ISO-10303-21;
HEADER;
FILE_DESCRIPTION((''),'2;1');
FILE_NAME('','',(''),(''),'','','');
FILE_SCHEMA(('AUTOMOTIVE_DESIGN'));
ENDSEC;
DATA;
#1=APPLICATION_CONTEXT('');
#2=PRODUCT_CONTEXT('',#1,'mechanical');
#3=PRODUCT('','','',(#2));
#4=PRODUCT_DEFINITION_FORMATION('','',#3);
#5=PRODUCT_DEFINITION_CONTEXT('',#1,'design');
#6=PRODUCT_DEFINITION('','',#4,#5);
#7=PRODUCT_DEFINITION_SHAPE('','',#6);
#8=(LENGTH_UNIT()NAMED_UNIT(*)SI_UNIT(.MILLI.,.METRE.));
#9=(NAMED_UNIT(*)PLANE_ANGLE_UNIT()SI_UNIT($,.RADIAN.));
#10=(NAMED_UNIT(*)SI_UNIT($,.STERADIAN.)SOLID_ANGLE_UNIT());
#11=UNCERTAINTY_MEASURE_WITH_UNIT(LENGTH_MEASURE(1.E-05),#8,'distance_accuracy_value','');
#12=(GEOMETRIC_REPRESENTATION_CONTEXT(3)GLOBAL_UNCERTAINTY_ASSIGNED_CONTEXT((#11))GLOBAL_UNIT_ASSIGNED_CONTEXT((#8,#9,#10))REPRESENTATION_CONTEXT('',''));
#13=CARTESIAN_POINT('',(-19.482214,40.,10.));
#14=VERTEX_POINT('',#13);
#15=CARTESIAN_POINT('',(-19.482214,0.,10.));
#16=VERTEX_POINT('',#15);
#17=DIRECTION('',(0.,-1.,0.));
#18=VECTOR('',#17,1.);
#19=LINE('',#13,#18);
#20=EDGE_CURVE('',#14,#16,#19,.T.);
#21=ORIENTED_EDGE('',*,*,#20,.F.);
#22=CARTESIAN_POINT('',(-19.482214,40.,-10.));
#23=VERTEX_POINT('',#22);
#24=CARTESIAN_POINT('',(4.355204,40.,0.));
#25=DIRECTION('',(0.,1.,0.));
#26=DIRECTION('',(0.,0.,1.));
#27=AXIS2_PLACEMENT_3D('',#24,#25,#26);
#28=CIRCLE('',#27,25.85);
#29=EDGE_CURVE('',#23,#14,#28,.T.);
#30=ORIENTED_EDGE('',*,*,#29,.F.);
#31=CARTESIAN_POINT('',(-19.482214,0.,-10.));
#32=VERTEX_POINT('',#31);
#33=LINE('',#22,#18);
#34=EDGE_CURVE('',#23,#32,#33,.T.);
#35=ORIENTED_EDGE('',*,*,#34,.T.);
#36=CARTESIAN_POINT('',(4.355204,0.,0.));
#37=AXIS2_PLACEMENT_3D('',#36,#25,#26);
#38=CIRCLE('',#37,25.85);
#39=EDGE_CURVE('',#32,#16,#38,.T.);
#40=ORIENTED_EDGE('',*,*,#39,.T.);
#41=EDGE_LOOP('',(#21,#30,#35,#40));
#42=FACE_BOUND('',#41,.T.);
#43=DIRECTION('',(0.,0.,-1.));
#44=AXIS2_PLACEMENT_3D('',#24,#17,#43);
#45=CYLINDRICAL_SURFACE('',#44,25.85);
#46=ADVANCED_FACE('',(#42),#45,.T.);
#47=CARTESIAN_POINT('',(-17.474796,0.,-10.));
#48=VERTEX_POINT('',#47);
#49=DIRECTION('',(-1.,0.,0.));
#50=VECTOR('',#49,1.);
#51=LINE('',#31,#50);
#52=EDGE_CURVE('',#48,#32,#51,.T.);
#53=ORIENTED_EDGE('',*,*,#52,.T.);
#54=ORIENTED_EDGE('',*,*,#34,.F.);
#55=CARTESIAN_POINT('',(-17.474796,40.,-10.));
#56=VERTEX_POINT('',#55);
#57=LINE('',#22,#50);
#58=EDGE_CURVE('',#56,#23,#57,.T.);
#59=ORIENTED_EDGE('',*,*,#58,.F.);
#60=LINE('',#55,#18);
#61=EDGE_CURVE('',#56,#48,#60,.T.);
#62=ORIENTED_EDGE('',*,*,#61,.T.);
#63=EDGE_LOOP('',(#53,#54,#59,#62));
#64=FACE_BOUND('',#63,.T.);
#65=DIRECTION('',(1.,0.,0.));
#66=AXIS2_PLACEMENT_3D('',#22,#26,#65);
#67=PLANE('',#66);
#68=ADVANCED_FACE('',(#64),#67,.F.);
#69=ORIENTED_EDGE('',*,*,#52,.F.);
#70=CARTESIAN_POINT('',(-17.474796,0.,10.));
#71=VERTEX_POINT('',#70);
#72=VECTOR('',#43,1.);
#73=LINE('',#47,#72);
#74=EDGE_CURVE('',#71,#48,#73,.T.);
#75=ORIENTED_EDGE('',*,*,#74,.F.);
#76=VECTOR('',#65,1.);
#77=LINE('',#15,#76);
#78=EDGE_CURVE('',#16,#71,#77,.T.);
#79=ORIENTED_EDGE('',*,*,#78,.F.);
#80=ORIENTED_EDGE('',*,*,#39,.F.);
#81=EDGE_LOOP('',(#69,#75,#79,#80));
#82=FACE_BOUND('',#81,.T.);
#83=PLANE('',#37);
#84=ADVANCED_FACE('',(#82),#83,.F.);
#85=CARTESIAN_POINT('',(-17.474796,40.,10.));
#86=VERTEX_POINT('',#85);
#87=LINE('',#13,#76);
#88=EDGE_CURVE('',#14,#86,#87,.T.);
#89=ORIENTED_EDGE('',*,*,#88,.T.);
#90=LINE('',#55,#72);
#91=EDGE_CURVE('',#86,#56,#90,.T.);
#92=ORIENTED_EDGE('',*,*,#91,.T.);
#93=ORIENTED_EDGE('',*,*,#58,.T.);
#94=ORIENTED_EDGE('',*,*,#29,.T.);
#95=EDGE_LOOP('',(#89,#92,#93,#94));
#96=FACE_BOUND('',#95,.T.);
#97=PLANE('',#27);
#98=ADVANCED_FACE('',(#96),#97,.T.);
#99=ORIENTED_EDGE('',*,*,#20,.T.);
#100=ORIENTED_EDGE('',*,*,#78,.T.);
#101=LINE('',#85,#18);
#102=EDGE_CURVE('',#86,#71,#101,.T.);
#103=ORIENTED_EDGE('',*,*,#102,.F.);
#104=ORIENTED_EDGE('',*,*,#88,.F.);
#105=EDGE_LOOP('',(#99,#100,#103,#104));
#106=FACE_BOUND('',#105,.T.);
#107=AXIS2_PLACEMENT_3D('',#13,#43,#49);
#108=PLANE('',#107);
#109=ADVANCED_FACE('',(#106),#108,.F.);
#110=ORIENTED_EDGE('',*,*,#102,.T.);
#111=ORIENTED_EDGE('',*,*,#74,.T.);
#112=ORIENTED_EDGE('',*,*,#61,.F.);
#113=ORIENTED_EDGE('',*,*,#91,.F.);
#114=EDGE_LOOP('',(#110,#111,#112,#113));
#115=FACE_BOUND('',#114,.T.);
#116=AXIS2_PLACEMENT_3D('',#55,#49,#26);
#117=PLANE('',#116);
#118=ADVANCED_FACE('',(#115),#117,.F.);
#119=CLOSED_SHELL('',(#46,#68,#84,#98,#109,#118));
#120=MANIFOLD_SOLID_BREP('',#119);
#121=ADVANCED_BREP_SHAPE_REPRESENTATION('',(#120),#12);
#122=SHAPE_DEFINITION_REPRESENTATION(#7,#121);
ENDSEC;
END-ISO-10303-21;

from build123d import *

# Parameters (mm, degrees)
EXTRUDE_1_DEPTH = 40


with BuildPart() as part:
    # 草图1 → 凸台-拉伸1 (new body)
    with BuildSketch(Plane(origin=(0, 0, 0), x_dir=(1, 0, 0), z_dir=(0, 1, 0))):
        with BuildLine():
            Line((-19.48221373, 10), (-17.474795665, 10))
            Line((-17.474795665, 10), (-17.474795665, -10))
            Line((-17.474795665, -10), (-19.48221373, -10))
            ThreePointArc((-19.48221373, -10), (-21.494795665, 0), (-19.48221373, 10))
        make_face()
    extrude(amount=EXTRUDE_1_DEPTH)


solid = part.part
